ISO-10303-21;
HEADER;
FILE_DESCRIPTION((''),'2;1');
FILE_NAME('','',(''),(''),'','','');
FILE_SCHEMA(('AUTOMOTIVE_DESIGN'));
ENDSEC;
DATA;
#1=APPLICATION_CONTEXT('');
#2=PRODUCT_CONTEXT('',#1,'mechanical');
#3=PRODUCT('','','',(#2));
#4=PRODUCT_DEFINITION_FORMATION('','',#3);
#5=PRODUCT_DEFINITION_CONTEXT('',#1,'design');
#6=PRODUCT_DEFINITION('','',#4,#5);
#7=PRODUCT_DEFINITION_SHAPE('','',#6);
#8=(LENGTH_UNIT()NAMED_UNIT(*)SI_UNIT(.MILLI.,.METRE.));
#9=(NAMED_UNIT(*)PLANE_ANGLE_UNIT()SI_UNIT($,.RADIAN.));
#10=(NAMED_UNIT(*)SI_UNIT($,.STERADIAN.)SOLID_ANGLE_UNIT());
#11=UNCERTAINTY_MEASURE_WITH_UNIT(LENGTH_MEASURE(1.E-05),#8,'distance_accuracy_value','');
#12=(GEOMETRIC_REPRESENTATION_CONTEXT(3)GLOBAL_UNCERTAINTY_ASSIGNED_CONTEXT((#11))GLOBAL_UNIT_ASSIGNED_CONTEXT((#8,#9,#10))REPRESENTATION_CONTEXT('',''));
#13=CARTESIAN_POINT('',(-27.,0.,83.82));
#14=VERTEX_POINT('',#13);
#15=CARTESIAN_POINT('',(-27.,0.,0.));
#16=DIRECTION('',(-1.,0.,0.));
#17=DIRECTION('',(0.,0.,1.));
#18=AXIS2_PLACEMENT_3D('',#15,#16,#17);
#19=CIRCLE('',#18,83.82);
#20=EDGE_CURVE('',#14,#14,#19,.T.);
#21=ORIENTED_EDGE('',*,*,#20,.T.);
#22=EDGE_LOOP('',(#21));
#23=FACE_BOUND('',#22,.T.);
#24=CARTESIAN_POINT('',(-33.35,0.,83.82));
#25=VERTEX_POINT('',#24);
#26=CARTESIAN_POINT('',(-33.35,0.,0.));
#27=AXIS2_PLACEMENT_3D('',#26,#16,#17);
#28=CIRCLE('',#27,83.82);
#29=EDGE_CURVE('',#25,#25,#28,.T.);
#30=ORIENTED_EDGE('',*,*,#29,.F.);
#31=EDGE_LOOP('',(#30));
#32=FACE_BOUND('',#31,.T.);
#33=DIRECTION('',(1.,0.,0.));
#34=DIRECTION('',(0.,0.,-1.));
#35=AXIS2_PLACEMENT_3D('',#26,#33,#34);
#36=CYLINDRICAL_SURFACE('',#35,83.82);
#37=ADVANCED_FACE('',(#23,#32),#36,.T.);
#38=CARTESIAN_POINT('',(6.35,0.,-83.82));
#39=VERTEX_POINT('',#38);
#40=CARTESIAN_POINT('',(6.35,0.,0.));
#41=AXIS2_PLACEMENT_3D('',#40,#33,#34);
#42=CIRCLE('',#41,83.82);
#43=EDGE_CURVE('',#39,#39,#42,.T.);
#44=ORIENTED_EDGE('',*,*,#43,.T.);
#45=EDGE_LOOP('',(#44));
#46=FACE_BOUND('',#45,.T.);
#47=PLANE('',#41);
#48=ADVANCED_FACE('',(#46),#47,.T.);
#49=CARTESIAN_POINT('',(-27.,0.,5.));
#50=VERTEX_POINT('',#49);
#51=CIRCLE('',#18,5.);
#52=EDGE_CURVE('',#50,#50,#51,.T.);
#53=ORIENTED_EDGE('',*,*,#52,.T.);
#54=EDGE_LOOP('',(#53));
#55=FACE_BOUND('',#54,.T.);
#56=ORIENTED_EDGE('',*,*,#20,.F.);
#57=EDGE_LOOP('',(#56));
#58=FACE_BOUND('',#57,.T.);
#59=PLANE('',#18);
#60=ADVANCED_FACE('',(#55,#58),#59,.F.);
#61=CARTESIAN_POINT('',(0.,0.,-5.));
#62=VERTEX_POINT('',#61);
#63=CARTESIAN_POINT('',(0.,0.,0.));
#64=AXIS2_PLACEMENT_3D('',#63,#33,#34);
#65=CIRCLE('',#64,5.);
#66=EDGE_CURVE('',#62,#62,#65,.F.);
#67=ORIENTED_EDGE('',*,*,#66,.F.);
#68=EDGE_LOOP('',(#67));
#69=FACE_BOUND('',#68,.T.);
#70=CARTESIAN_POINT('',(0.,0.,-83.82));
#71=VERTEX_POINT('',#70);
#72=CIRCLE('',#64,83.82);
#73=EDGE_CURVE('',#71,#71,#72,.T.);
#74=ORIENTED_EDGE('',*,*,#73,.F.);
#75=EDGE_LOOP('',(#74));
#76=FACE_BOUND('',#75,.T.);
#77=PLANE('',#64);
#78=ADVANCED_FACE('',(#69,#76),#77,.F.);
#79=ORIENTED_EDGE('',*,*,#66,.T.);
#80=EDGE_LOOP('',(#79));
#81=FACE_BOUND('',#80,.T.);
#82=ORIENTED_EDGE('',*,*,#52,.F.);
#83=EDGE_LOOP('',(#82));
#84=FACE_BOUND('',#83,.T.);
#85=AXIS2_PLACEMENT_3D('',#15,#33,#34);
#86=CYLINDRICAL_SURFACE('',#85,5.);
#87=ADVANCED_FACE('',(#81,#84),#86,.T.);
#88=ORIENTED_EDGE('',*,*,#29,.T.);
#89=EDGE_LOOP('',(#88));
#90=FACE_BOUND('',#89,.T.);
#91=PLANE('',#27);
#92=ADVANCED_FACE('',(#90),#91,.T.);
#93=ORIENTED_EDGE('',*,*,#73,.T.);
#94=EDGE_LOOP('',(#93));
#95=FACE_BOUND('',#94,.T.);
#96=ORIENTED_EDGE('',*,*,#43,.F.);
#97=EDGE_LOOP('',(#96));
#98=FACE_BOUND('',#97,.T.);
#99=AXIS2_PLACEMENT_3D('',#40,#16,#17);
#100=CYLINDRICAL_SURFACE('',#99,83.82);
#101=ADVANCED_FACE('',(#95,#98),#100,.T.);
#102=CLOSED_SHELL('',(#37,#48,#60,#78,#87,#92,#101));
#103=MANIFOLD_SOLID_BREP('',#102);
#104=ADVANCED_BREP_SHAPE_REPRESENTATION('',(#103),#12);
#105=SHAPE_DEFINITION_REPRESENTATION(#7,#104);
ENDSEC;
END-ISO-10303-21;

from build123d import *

# Parameters (mm, degrees)
SKETCH4_R           = 83.82
BOSS_EXTRUDE1_DEPTH = 6.35
SKETCH5_R           = 5
BOSS_EXTRUDE4_DEPTH = 27
BOSS_EXTRUDE5_START = 6.35
SKETCH7_R           = 83.82
BOSS_EXTRUDE5_DEPTH = 6.35


with BuildPart() as part:
    # Sketch4 → Boss-Extrude1 (new body)
    with BuildSketch(Plane(origin=(0, 0, 0), x_dir=(0, 0, -1), z_dir=(1, 0, 0))):
        Circle(SKETCH4_R)
    extrude(amount=BOSS_EXTRUDE1_DEPTH)

    # Sketch5 → Boss-Extrude4 (add)
    with BuildSketch(Plane.ZY):
        with Locations(Location((0, 0, 0), (0, 0, 180))):
            Circle(SKETCH5_R)
    extrude(amount=BOSS_EXTRUDE4_DEPTH)

    # Sketch7 → Boss-Extrude5 (add)
    with BuildSketch(Plane.ZY.offset(27).offset(BOSS_EXTRUDE5_START)):
        with Locations(Location((0, 0, 0), (0, 0, 180))):
            Circle(SKETCH7_R)
    extrude(amount=-BOSS_EXTRUDE5_DEPTH)


solid = part.part
